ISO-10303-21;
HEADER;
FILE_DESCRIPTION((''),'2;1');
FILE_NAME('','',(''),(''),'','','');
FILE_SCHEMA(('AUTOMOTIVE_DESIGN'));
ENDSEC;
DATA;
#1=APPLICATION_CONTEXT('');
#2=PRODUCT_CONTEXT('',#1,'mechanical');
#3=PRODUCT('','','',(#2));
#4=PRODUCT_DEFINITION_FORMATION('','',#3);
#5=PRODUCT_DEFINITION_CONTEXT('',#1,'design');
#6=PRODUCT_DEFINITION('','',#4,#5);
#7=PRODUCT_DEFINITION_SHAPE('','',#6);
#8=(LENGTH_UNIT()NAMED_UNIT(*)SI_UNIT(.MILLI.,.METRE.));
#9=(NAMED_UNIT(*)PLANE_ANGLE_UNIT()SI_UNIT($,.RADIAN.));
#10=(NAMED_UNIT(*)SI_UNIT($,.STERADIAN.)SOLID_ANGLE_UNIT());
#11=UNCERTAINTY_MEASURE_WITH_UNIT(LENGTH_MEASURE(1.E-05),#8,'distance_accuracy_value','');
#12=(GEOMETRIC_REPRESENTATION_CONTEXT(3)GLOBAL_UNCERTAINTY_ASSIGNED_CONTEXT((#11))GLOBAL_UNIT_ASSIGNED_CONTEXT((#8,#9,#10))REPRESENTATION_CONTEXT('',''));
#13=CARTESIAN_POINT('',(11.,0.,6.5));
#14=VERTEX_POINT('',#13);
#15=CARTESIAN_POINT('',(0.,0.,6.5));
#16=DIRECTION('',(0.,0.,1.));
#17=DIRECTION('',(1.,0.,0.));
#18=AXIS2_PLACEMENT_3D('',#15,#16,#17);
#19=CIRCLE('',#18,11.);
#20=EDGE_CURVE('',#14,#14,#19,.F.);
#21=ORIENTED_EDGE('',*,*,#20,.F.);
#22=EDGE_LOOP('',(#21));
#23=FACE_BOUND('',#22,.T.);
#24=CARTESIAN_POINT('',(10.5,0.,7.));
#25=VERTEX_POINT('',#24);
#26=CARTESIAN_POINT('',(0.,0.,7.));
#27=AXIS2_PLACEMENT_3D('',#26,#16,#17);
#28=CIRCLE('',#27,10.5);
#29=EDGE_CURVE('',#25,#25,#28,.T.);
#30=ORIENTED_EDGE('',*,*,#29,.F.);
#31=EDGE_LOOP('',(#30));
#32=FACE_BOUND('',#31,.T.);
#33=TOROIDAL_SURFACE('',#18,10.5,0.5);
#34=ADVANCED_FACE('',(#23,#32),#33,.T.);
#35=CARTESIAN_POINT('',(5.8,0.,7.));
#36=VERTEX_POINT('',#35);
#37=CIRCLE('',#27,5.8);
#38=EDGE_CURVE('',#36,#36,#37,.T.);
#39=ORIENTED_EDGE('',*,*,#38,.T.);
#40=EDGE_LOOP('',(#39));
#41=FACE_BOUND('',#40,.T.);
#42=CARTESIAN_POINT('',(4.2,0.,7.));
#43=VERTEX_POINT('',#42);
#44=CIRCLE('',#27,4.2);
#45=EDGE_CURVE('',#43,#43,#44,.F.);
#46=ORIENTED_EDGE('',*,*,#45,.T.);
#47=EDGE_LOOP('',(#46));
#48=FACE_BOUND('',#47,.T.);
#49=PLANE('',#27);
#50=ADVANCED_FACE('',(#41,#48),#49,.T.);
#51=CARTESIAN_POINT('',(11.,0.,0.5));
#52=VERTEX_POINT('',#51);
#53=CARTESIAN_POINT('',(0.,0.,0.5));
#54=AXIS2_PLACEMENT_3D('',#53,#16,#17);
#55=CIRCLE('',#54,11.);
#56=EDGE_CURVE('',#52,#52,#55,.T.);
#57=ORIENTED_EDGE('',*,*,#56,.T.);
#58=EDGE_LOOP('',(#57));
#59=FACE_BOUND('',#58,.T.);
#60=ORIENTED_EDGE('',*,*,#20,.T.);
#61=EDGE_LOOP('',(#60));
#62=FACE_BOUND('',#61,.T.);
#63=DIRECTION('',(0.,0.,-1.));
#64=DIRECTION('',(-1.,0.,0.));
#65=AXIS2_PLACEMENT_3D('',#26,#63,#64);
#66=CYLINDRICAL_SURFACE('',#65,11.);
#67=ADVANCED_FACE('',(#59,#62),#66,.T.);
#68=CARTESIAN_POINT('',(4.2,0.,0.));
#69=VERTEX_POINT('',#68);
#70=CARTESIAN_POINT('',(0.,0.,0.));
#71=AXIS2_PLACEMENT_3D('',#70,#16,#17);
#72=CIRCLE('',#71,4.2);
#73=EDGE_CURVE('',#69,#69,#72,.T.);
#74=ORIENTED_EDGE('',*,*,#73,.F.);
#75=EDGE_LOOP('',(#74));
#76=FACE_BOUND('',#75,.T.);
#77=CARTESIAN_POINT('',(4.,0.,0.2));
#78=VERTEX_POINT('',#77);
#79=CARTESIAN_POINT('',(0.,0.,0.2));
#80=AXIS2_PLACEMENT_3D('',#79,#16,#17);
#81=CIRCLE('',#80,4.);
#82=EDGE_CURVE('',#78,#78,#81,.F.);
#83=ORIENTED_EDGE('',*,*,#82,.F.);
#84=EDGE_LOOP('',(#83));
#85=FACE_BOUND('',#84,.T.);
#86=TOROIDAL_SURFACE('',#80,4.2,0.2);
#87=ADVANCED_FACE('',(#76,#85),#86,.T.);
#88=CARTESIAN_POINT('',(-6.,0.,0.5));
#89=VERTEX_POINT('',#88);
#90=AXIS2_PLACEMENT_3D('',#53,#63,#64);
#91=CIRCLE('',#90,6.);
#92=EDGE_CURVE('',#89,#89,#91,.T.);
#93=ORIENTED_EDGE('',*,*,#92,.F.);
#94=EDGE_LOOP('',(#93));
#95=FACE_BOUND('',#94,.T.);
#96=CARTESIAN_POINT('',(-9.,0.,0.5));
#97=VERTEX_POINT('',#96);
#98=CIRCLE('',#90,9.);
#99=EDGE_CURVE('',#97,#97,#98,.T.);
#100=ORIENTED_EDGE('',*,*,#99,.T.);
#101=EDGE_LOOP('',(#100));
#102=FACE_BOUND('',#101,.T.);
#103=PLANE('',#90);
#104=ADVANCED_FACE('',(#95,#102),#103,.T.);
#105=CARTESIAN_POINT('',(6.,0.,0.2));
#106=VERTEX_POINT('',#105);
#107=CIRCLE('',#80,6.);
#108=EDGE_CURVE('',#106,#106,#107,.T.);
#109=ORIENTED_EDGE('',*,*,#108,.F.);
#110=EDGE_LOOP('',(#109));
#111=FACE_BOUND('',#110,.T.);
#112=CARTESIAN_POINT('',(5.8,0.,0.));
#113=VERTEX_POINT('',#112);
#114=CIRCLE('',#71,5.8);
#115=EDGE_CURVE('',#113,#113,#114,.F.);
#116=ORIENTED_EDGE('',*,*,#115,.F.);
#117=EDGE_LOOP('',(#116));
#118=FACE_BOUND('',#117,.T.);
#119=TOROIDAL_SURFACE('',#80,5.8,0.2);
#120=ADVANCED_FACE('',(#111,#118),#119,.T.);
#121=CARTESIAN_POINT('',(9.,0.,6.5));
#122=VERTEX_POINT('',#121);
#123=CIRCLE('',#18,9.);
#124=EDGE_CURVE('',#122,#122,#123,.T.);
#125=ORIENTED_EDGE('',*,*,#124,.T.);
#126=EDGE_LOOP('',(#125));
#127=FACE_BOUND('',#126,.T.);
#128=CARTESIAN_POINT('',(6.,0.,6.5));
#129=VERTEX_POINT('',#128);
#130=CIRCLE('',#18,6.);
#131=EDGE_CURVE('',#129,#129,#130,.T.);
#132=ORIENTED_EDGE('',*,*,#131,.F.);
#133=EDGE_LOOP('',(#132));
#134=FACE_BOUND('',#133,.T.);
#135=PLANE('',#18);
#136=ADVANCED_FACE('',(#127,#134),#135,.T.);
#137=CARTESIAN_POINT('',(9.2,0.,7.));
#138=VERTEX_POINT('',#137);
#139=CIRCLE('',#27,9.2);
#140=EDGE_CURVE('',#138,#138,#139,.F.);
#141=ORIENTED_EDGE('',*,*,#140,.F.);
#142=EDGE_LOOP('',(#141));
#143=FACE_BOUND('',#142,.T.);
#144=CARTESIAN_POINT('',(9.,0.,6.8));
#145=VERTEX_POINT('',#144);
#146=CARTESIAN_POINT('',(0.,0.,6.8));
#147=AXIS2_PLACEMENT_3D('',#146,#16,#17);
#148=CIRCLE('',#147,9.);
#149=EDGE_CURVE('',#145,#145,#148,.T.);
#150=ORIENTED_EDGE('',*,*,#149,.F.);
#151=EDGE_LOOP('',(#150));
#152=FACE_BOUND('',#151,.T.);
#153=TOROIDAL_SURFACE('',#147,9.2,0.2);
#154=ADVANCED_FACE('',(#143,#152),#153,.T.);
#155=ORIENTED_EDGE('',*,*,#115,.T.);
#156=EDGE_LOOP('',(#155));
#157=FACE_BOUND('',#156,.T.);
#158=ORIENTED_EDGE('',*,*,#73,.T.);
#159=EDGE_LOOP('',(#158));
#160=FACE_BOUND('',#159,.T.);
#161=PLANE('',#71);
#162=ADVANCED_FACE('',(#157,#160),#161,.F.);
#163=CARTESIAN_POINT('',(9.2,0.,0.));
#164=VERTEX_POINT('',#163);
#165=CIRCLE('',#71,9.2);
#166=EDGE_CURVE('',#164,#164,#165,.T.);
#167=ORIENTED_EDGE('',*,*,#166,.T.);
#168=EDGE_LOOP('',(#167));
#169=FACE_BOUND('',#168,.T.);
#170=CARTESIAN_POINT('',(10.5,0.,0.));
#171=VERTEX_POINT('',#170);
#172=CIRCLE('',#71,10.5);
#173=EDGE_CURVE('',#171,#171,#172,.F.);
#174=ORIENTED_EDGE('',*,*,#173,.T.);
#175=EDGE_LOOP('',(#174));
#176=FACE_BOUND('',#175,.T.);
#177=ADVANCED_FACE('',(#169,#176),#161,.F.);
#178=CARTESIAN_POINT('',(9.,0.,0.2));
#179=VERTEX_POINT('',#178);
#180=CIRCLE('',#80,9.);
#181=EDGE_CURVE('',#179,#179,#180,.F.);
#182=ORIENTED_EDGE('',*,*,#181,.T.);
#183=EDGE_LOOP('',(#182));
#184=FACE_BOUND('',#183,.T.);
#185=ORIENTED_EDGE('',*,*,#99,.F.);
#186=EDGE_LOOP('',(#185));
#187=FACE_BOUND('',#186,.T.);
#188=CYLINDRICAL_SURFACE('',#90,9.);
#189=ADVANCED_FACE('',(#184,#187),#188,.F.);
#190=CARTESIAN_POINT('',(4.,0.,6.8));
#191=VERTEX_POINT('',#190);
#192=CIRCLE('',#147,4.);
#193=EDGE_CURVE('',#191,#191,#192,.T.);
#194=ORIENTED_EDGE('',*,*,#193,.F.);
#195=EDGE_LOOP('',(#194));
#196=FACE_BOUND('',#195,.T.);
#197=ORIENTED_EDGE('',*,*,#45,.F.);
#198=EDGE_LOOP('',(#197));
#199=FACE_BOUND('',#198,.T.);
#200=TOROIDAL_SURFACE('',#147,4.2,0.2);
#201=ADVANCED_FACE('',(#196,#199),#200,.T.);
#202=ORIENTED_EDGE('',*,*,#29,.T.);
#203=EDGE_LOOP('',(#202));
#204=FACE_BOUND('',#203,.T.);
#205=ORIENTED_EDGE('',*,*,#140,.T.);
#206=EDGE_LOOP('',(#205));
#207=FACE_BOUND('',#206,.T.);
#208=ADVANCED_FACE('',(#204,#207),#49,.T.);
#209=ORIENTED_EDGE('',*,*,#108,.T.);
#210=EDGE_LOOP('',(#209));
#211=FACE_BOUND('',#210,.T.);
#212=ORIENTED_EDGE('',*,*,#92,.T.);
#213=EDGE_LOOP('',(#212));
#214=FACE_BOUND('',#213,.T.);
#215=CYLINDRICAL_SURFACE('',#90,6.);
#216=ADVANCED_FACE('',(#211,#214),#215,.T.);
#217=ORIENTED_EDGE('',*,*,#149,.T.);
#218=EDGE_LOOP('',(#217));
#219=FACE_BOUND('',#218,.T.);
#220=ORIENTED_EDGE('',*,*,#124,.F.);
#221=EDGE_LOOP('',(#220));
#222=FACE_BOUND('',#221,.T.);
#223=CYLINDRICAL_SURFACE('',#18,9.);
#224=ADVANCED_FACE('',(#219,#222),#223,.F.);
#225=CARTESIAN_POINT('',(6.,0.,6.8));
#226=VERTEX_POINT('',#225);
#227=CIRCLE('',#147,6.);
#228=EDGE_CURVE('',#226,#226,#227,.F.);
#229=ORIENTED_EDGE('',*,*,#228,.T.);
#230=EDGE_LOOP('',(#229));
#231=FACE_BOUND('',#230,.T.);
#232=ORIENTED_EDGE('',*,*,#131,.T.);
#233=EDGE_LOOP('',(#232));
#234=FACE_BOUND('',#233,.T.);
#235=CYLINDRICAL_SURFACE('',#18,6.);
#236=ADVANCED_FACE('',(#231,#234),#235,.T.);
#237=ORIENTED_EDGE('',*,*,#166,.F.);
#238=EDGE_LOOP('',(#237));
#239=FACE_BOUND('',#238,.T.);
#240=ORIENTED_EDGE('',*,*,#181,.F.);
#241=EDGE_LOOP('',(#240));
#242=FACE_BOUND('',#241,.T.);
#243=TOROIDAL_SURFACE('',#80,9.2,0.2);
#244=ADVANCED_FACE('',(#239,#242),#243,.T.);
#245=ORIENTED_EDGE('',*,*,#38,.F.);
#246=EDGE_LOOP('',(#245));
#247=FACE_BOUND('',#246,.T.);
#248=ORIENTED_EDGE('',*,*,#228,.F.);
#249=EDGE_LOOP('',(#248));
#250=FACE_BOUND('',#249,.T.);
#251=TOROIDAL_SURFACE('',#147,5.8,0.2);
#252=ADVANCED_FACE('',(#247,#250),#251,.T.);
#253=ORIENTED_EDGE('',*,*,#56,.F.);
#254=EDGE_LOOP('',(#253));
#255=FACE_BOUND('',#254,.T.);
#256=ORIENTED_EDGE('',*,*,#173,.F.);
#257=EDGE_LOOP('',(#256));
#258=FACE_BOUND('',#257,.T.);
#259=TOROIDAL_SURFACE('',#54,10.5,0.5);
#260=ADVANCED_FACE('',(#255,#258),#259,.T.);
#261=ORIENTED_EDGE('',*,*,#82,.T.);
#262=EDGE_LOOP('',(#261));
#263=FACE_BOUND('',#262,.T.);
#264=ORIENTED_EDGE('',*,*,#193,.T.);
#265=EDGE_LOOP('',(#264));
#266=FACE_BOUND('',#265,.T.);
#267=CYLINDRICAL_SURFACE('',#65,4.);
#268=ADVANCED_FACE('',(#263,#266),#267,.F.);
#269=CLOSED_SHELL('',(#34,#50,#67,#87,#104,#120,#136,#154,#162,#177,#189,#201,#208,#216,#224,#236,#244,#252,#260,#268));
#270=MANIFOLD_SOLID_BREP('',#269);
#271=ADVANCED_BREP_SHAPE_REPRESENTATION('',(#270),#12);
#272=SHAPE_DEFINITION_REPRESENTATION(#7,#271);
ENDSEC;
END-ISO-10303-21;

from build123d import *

# Parameters (mm, degrees)
IZIM1_R                     = 11
IZIM1_R_2                   = 4
Y_KSEKLIK_EKSTR_ZYON1_DEPTH = 7
IZIM2_R                     = 9
IZIM2_R_2                   = 6
KES_EKSTR_ZYON1_DEPTH       = 0.5
IZIM3_R                     = 9
IZIM3_R_2                   = 6
KES_EKSTR_ZYON2_DEPTH       = 0.5
RADYUS1_R                   = 0.5
RADYUS2_R                   = 0.2


with BuildPart() as part:
    # Çizim1 → Yükseklik-Ekstrüzyon1 (new body)
    with BuildSketch(Plane.XY):
        Circle(IZIM1_R)
        Circle(IZIM1_R_2, mode=Mode.SUBTRACT)
    extrude(amount=Y_KSEKLIK_EKSTR_ZYON1_DEPTH)

    # Çizim2 → Kes-Ekstrüzyon1 (cut)
    with BuildSketch(Plane(origin=(0, 0, 0), x_dir=(-1, 0, 0), z_dir=(0, 0, -1))):
        Circle(IZIM2_R)
        Circle(IZIM2_R_2, mode=Mode.SUBTRACT)
    extrude(amount=-KES_EKSTR_ZYON1_DEPTH, mode=Mode.SUBTRACT)

    # Çizim3 → Kes-Ekstrüzyon2 (cut)
    with BuildSketch(Plane.XY.offset(7)):
        Circle(IZIM3_R)
        Circle(IZIM3_R_2, mode=Mode.SUBTRACT)
    extrude(amount=-KES_EKSTR_ZYON2_DEPTH, mode=Mode.SUBTRACT)

    # Radyus1
    radyus1_edges = [part.edges().sort_by_distance(p)[0] for p in [
        (-11, 0, 0),
        (-11, 0, 7),
    ]]
    fillet(radyus1_edges, radius=RADYUS1_R)

    # Radyus2
    radyus2_edges = [part.edges().sort_by_distance(p)[0] for p in [
        (9, 0, 0),
        (6, 0, 0),
        (-9, 0, 7),
        (-6, 0, 7),
        (-4, 0, 0),
        (-4, 0, 7),
    ]]
    fillet(radyus2_edges, radius=RADYUS2_R)


solid = part.part
